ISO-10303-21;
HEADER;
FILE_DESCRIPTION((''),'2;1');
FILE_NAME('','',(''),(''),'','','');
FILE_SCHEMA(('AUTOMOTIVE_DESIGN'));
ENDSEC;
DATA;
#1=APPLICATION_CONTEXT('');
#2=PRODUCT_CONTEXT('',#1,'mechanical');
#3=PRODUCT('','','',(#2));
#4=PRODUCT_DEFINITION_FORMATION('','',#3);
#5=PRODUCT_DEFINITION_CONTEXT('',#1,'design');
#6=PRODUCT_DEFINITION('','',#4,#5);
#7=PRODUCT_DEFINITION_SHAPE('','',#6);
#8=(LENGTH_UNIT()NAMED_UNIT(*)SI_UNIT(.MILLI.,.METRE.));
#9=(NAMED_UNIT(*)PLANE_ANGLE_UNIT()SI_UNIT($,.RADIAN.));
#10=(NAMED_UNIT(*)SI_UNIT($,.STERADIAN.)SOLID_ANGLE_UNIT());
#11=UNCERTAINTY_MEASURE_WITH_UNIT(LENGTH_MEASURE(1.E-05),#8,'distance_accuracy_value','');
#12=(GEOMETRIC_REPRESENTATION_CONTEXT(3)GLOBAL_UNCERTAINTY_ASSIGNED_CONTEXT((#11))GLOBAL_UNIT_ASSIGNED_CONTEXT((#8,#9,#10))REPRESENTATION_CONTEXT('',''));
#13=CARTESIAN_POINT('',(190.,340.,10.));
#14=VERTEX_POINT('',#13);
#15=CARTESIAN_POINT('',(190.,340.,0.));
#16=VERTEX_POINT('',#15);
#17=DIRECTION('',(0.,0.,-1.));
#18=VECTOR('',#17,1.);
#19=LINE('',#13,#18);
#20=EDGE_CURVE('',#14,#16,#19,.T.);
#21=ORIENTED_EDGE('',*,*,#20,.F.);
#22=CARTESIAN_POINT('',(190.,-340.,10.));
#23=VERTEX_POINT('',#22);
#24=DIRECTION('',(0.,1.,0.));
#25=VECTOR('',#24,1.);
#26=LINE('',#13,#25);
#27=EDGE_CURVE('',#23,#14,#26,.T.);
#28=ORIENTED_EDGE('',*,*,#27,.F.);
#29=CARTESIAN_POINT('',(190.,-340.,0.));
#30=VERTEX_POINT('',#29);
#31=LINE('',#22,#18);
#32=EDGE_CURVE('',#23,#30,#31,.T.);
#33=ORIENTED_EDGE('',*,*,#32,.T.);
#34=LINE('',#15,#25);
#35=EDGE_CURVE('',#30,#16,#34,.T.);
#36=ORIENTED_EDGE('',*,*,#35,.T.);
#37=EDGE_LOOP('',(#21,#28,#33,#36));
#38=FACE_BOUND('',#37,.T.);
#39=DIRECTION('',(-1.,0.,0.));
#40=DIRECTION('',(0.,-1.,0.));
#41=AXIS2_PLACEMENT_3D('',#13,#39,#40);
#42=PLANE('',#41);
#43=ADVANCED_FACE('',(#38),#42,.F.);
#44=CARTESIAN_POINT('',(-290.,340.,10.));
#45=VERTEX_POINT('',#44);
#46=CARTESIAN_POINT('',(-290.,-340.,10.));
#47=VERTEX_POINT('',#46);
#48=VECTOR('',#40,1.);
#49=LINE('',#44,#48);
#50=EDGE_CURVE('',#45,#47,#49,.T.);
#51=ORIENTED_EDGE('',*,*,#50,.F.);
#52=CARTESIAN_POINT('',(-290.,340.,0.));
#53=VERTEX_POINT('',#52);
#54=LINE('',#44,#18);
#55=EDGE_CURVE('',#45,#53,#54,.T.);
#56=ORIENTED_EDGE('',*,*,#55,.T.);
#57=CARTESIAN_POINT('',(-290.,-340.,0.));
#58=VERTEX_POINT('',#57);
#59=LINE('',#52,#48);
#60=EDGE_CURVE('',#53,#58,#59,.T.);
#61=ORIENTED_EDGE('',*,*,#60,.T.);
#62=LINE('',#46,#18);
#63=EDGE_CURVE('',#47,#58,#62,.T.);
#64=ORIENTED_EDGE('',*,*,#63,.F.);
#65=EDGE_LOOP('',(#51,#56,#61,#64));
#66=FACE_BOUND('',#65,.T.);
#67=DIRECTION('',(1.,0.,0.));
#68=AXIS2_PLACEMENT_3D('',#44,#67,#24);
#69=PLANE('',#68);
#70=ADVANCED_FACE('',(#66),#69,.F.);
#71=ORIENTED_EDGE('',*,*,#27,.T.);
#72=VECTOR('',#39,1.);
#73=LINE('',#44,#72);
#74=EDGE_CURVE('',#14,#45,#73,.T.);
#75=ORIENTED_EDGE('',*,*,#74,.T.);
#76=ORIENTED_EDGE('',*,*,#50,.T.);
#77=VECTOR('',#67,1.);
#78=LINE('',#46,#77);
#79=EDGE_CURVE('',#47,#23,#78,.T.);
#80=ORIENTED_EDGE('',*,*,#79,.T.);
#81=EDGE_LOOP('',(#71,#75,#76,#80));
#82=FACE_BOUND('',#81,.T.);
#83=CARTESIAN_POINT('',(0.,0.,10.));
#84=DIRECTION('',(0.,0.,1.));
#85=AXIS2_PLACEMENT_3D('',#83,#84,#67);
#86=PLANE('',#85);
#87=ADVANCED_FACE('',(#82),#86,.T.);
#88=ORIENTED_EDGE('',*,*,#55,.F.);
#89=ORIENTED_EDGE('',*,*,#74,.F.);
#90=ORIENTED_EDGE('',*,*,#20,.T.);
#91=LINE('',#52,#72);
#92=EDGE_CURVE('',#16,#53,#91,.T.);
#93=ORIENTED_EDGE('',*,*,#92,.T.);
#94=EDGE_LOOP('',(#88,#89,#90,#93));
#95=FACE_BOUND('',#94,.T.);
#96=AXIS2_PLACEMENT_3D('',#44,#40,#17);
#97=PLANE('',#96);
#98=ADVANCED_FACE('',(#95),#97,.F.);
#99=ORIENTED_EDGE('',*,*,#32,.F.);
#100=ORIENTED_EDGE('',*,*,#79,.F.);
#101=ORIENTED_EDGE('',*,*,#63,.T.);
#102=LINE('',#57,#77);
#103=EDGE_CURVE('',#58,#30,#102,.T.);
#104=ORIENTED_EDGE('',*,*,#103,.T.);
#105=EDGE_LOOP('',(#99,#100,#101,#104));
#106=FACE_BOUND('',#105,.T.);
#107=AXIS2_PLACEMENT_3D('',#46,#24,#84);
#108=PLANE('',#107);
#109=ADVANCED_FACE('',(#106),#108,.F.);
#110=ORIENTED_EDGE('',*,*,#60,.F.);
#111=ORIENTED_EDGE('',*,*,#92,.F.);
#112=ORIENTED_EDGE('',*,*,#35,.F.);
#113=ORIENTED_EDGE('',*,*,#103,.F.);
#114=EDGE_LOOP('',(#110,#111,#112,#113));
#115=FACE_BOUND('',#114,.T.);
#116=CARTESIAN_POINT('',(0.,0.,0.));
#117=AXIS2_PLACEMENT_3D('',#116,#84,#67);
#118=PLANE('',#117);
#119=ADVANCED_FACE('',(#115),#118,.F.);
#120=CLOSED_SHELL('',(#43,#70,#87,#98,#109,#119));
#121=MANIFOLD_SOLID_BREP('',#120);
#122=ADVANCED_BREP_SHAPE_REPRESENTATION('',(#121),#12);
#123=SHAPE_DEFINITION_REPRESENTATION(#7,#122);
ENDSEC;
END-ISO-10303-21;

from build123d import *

# Parameters (mm, degrees)
ESQUISSE1_W        = 480
ESQUISSE1_H        = 680
BOSS_EXTRU_1_DEPTH = 10


with BuildPart() as part:
    # Esquisse1 → Boss.-Extru.1 (new body)
    with BuildSketch(Plane.XY):
        with Locations((-50, 0)):
            Rectangle(ESQUISSE1_W, ESQUISSE1_H)
    extrude(amount=BOSS_EXTRU_1_DEPTH)


solid = part.part
